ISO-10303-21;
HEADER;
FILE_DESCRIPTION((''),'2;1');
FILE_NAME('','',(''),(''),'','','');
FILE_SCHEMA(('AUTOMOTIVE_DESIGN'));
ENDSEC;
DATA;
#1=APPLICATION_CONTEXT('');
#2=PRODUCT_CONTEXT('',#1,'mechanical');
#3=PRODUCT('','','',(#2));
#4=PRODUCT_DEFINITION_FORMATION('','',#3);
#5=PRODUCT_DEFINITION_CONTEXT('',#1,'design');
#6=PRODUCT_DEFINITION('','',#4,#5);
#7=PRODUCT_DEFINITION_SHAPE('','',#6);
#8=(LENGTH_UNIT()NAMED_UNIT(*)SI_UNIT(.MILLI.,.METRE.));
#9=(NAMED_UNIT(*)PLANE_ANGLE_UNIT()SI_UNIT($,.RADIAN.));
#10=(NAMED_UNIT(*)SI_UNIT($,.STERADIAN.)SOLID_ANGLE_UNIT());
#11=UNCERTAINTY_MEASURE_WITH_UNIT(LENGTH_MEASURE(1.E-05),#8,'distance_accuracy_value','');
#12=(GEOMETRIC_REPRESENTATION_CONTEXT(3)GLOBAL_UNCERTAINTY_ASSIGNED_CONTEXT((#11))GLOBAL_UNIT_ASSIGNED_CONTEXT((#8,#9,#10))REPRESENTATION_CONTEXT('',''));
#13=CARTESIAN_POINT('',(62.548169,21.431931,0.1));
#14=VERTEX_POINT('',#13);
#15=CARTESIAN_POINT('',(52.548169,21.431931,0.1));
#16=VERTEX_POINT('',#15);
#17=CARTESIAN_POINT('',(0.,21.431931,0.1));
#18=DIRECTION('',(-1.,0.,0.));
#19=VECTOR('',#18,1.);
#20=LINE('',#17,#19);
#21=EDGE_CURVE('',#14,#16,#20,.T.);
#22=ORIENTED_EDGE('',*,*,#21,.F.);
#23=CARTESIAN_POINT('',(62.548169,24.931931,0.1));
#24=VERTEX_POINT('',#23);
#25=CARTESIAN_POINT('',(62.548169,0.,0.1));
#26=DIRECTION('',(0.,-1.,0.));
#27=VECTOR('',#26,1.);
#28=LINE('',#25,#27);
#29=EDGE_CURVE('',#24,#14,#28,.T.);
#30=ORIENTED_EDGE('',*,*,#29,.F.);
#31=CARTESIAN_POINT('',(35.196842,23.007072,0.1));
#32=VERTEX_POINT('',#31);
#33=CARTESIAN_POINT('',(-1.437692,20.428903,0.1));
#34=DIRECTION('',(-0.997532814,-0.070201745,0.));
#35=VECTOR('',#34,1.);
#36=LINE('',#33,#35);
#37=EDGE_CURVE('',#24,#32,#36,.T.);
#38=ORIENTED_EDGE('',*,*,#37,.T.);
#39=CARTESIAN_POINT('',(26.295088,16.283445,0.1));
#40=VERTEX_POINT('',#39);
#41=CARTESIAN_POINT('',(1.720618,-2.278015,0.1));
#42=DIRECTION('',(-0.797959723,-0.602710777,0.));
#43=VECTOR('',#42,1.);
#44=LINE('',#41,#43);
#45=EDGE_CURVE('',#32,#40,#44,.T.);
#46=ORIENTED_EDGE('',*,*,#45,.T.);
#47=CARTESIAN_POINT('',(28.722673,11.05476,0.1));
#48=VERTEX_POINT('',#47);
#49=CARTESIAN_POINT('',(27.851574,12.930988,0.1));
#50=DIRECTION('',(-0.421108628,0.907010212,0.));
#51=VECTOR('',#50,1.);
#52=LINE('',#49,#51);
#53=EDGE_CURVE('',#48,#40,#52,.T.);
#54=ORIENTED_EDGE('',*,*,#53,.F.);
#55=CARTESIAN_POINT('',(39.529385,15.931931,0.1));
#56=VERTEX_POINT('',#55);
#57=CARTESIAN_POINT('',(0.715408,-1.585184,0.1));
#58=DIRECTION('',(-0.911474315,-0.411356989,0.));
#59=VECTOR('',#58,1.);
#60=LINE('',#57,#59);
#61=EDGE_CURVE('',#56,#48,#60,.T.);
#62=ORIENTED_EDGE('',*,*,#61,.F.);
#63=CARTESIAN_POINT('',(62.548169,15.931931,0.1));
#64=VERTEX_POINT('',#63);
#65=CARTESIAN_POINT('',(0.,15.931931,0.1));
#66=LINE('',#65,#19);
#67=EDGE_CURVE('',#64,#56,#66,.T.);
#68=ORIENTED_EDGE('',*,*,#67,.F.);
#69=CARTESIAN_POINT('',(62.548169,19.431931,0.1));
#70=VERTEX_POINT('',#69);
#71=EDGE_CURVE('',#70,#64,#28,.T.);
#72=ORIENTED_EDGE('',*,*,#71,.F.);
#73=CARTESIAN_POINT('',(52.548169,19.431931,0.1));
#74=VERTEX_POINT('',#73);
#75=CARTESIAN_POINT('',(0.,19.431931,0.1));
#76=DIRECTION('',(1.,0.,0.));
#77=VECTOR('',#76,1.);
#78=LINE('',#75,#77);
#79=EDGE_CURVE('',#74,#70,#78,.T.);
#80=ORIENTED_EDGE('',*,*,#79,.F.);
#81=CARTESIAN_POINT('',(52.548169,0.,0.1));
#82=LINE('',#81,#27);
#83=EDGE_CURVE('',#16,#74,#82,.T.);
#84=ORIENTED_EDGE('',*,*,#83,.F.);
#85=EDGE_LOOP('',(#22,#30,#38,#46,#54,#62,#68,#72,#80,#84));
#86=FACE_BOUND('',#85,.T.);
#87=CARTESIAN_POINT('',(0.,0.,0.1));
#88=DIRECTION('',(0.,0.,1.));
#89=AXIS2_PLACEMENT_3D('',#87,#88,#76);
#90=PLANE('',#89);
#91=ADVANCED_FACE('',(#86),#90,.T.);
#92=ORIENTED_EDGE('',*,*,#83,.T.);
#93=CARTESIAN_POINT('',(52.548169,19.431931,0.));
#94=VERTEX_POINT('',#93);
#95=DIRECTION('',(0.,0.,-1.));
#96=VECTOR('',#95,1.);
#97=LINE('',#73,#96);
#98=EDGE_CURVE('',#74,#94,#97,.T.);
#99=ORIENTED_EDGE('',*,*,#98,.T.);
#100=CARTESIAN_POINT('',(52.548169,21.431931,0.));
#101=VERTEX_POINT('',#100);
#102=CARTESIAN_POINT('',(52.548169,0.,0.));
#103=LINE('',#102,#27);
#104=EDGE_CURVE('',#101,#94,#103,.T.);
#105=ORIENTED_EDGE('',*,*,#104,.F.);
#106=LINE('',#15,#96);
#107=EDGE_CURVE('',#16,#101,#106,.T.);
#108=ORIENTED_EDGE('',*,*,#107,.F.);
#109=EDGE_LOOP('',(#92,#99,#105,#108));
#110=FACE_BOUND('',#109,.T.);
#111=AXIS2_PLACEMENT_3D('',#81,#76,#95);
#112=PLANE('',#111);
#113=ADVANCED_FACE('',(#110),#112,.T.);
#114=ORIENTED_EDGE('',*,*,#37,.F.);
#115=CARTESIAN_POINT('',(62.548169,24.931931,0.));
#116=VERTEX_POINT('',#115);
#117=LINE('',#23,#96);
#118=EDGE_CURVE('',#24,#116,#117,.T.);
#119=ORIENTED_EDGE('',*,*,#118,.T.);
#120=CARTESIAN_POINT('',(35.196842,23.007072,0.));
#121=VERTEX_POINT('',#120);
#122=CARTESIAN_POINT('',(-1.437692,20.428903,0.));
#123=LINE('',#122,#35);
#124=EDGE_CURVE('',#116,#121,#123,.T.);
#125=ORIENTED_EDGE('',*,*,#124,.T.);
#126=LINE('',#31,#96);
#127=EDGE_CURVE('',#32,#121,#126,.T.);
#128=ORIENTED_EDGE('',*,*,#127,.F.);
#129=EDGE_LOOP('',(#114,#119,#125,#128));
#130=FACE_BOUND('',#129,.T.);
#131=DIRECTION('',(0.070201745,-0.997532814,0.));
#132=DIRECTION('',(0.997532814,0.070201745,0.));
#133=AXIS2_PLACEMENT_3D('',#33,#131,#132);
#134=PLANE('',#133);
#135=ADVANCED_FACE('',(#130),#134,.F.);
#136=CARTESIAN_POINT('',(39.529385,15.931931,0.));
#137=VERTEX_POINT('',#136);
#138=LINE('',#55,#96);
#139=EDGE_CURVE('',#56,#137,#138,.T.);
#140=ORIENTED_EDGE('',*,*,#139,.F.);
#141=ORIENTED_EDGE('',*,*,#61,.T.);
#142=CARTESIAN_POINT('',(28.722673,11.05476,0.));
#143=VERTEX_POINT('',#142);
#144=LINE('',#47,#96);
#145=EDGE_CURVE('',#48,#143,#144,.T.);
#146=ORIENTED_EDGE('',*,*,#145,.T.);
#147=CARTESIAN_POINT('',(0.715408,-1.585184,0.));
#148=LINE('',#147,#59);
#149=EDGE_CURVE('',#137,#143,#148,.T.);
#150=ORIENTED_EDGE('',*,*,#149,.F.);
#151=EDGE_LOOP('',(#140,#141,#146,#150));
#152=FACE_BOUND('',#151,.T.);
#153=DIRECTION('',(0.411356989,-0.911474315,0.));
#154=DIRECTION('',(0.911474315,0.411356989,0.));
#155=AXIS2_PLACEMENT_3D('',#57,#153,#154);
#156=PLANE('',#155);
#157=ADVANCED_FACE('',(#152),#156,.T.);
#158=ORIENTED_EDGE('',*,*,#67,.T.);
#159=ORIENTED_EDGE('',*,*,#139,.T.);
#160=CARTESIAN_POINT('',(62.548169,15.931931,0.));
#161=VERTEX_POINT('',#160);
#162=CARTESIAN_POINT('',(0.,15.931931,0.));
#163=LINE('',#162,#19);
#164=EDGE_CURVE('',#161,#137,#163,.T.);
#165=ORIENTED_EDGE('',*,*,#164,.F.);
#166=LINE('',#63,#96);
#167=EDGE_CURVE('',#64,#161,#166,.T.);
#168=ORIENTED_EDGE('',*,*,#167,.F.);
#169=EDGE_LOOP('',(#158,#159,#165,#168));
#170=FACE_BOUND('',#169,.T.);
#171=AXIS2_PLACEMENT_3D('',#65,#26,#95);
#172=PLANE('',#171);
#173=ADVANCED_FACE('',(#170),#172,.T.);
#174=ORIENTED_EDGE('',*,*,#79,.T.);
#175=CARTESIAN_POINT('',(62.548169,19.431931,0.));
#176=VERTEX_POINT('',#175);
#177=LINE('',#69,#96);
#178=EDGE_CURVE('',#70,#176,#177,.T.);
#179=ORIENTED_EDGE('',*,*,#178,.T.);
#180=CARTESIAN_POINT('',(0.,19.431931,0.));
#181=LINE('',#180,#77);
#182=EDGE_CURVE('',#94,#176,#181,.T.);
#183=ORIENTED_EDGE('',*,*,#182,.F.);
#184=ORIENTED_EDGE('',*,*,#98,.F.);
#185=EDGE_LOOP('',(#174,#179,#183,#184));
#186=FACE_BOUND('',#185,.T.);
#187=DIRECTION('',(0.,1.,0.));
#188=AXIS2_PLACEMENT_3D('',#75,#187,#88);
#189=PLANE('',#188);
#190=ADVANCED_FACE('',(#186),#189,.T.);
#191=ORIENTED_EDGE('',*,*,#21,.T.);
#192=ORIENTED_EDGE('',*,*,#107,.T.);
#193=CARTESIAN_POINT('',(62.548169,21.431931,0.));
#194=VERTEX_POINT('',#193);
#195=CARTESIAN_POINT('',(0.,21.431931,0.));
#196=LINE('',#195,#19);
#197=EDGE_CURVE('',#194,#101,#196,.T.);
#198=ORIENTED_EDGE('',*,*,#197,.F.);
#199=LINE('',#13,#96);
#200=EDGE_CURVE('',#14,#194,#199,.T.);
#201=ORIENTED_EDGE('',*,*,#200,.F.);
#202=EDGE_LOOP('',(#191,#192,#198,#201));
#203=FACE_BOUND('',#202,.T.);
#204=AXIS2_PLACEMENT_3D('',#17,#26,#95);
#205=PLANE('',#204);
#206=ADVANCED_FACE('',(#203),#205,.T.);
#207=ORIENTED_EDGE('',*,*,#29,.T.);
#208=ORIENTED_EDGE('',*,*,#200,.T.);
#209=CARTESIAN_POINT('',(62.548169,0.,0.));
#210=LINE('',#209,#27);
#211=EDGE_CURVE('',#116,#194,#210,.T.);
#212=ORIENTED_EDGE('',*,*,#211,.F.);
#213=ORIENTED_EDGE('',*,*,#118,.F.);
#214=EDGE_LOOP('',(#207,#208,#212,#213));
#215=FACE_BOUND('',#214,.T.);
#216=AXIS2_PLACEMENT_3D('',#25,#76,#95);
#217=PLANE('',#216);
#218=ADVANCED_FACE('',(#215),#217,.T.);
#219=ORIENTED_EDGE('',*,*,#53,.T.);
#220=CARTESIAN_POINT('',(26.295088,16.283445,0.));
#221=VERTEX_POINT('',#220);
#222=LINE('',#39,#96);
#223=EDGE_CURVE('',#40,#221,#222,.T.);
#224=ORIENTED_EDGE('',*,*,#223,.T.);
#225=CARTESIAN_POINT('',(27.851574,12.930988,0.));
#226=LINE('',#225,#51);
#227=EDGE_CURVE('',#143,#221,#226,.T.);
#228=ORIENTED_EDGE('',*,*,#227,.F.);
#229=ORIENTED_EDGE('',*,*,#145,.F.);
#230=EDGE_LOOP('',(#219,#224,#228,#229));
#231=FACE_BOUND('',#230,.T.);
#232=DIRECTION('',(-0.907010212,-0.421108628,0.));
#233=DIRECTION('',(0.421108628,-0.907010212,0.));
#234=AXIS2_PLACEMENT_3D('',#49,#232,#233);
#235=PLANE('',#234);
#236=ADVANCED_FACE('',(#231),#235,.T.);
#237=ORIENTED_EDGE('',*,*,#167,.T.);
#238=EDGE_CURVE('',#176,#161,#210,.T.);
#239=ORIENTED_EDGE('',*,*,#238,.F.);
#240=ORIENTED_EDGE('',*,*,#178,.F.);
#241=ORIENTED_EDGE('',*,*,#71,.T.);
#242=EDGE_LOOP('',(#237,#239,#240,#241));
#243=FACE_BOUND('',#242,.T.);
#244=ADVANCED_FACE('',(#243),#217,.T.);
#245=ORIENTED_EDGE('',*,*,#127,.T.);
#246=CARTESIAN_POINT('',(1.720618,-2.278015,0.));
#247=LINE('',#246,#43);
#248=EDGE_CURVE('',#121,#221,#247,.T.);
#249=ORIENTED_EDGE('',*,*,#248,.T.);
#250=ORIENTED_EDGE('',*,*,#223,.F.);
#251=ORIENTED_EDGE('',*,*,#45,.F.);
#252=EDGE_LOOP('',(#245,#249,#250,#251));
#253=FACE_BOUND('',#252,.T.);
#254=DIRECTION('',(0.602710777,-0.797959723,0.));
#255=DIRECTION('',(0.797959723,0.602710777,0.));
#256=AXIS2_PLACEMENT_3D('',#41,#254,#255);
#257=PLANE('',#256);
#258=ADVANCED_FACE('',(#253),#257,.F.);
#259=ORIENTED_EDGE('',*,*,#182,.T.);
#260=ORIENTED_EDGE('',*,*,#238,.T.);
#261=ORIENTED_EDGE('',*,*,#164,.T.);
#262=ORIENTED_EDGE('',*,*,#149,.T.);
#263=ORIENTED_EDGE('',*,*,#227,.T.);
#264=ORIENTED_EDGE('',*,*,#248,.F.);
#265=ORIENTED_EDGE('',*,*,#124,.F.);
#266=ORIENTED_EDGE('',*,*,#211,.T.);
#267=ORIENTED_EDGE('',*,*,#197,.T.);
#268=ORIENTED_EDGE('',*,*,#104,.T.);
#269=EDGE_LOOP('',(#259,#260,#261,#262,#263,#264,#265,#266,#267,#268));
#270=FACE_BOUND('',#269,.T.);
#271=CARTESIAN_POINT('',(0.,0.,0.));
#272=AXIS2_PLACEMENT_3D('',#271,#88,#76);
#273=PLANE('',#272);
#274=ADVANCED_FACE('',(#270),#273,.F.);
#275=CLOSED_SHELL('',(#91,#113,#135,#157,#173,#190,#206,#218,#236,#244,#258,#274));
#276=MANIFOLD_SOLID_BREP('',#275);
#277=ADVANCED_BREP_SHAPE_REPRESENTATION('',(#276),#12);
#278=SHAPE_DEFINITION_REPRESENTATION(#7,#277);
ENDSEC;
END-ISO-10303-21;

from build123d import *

# Parameters (mm, degrees)
SALIENTE_EXTRUIR1_DEPTH = 0.1


with BuildPart() as part:
    # Model → Saliente-Extruir1 (new body)
    with BuildSketch(Plane.XY):
        Polygon((62.548169037, 19.431931443), (62.548169037, 15.931931443), (51.538777187, 15.931931443), (39.529385336, 15.931931443), (28.72267281, 11.05475975), (26.295087671, 16.283445098), (35.196841696, 23.007071539), (62.548169037, 24.931931443), (62.548169037, 21.431931443), (52.548169037, 21.431931443), (52.548169037, 19.431931443), align=None)
    extrude(amount=SALIENTE_EXTRUIR1_DEPTH)


solid = part.part
